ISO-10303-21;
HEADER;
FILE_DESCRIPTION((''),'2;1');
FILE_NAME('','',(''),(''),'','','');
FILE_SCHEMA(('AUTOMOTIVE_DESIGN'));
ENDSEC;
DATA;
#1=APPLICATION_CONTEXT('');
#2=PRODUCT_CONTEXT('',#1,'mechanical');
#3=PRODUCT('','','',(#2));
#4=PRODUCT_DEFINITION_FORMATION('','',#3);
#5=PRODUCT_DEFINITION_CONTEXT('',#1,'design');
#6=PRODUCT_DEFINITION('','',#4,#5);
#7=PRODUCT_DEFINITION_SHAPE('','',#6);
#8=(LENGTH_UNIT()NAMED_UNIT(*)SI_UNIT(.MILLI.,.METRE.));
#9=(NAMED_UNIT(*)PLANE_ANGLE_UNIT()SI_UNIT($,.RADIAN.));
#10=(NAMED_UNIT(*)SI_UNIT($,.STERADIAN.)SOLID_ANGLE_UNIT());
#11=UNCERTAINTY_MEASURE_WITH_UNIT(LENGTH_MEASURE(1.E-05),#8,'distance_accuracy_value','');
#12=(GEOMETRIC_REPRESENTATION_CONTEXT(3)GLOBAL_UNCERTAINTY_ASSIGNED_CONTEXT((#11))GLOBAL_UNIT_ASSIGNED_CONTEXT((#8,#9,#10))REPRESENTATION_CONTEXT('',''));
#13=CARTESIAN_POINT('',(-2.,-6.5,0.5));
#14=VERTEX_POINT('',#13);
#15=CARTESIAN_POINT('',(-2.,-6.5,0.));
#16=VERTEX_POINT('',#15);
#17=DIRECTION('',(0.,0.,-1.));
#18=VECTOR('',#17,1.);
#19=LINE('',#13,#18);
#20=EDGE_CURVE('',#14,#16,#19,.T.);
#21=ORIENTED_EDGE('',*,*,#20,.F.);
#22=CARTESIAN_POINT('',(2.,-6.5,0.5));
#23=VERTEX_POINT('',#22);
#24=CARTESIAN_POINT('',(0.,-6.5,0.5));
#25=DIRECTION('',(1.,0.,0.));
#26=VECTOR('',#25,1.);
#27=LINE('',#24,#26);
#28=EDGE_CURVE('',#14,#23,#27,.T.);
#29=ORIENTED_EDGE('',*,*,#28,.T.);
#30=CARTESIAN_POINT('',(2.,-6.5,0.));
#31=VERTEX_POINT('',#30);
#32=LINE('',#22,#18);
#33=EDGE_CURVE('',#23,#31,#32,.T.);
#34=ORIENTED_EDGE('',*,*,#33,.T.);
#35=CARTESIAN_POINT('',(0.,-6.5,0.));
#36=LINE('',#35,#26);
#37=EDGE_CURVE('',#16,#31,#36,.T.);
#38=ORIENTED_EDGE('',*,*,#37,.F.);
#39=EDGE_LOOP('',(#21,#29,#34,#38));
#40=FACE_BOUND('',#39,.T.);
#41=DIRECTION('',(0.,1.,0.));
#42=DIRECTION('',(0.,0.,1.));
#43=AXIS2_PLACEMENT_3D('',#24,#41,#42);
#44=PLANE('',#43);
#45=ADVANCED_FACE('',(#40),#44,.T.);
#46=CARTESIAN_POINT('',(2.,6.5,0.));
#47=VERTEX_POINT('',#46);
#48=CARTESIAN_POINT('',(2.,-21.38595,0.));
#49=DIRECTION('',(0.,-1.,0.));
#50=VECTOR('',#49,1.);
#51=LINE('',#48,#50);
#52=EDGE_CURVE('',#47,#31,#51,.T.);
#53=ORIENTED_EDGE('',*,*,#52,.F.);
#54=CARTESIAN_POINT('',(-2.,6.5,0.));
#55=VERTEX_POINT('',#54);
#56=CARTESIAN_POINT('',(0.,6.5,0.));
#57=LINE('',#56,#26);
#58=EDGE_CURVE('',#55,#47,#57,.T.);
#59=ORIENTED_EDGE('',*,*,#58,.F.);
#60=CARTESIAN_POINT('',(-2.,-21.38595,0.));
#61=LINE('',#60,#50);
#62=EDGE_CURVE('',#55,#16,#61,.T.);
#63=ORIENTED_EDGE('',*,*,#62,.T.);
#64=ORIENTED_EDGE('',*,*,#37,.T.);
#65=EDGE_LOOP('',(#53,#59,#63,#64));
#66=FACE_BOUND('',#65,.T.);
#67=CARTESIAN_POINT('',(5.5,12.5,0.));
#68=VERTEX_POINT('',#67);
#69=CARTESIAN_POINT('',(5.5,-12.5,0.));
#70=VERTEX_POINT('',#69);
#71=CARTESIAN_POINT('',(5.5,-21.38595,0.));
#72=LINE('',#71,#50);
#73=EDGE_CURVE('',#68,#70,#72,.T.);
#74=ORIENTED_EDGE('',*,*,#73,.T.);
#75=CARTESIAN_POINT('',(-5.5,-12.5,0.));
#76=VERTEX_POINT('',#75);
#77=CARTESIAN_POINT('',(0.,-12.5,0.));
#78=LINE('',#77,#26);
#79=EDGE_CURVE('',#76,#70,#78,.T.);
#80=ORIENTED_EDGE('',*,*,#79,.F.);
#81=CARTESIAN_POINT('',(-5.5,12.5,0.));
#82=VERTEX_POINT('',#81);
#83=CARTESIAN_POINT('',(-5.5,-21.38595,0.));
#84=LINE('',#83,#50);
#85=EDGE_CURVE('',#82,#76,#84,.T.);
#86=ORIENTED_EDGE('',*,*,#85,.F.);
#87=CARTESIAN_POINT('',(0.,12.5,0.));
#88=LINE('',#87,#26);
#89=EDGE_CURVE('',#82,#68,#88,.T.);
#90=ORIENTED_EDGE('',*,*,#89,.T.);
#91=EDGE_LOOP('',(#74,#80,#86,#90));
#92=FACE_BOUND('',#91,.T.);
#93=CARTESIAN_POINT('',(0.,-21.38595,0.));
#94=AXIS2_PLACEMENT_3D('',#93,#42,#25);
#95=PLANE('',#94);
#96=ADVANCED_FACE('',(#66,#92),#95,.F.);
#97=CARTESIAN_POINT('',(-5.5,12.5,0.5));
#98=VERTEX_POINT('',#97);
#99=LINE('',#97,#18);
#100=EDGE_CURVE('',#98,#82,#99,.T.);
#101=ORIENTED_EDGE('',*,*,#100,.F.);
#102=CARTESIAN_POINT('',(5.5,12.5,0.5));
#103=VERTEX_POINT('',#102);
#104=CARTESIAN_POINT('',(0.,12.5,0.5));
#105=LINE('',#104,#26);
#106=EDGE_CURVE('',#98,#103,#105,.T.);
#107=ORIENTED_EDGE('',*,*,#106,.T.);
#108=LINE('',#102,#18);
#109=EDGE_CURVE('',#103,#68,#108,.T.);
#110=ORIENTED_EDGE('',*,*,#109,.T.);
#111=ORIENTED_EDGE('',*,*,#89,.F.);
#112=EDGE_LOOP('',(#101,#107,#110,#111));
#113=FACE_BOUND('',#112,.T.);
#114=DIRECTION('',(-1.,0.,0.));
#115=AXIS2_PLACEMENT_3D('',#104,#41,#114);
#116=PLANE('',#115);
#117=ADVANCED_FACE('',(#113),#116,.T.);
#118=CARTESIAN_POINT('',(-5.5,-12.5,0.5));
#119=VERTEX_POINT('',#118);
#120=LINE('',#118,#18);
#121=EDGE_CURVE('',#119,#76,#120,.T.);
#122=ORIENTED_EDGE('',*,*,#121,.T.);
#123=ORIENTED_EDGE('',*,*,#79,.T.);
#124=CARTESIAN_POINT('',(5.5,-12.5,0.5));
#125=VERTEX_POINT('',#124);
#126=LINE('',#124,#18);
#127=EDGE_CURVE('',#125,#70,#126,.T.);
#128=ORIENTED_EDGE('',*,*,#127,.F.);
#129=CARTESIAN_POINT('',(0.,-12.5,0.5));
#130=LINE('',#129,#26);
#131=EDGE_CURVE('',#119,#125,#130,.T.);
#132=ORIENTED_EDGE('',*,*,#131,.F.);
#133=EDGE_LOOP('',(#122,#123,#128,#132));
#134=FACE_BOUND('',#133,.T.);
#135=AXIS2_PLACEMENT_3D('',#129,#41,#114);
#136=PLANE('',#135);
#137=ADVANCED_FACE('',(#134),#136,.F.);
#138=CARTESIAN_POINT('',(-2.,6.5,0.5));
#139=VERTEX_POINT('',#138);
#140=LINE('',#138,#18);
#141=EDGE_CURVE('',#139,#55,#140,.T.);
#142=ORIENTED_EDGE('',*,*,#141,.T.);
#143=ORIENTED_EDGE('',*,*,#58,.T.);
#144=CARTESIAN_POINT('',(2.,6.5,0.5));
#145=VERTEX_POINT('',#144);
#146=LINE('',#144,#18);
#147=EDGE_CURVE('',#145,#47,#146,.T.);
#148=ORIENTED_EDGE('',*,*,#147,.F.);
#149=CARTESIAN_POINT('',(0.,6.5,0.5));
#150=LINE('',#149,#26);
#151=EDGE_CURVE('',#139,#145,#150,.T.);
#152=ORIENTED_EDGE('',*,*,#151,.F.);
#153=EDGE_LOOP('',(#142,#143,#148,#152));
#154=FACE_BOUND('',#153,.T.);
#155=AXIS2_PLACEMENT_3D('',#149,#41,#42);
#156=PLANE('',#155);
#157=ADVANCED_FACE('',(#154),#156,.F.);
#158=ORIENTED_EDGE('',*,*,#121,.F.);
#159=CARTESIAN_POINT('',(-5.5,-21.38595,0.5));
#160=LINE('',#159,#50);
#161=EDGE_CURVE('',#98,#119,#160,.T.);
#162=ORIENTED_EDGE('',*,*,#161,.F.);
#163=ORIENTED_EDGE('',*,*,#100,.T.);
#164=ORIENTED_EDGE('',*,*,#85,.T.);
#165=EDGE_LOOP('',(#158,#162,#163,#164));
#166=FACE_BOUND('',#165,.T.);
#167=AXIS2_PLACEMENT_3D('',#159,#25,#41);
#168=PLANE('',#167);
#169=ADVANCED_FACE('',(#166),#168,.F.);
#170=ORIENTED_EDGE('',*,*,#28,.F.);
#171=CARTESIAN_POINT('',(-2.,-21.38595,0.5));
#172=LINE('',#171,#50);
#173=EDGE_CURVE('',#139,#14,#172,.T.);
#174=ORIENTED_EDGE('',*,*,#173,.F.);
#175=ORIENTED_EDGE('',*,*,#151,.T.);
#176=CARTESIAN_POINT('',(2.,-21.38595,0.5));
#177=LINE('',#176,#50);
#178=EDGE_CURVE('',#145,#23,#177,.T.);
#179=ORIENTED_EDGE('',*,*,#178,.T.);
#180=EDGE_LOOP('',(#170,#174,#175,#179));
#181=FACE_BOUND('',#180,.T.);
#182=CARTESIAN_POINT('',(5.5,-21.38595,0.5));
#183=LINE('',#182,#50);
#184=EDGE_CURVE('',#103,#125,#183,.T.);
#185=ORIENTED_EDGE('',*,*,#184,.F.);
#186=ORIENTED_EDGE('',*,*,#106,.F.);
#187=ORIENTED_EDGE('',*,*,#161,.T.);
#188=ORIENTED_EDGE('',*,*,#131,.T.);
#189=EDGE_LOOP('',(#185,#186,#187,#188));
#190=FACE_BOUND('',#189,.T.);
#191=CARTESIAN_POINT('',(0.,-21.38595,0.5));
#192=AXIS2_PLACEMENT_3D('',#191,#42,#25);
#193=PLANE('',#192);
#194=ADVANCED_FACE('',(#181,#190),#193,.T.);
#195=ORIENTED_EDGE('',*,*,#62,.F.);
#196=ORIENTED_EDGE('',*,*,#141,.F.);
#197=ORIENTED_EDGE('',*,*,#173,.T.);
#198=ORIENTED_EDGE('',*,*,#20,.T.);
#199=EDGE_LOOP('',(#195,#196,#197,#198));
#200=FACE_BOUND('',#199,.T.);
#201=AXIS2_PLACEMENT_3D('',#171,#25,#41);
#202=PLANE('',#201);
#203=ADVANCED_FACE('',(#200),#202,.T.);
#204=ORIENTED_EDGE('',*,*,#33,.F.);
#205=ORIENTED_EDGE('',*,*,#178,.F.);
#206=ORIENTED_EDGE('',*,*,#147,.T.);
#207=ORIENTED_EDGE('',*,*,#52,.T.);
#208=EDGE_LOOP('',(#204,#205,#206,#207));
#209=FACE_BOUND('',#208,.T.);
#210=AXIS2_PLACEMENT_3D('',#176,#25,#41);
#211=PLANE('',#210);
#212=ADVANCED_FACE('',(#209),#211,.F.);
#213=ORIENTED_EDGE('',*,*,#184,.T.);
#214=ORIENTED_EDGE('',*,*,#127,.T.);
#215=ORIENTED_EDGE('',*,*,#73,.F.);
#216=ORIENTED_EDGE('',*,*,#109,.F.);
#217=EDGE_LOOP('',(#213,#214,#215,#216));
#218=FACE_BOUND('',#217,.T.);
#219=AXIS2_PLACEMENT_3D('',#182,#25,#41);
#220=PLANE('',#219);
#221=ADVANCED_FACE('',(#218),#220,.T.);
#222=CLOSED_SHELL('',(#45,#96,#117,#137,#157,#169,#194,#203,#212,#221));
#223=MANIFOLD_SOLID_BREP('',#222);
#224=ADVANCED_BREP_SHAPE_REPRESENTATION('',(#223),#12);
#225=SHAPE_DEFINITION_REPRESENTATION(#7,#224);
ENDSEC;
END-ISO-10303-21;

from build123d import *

# Parameters (mm, degrees)
SKETCH_1_W      = 11
SKETCH_1_H      = 25
SKETCH_1_W_2    = 4
SKETCH_1_H_2    = 13
EXTRUDE_1_DEPTH = 0.5


with BuildPart() as part:
    # Эскиз1 → Вытянуть1 (new body)
    with BuildSketch(Plane.XY):
        Rectangle(SKETCH_1_W, SKETCH_1_H)
        Rectangle(SKETCH_1_W_2, SKETCH_1_H_2, mode=Mode.SUBTRACT)
    extrude(amount=EXTRUDE_1_DEPTH)


solid = part.part
